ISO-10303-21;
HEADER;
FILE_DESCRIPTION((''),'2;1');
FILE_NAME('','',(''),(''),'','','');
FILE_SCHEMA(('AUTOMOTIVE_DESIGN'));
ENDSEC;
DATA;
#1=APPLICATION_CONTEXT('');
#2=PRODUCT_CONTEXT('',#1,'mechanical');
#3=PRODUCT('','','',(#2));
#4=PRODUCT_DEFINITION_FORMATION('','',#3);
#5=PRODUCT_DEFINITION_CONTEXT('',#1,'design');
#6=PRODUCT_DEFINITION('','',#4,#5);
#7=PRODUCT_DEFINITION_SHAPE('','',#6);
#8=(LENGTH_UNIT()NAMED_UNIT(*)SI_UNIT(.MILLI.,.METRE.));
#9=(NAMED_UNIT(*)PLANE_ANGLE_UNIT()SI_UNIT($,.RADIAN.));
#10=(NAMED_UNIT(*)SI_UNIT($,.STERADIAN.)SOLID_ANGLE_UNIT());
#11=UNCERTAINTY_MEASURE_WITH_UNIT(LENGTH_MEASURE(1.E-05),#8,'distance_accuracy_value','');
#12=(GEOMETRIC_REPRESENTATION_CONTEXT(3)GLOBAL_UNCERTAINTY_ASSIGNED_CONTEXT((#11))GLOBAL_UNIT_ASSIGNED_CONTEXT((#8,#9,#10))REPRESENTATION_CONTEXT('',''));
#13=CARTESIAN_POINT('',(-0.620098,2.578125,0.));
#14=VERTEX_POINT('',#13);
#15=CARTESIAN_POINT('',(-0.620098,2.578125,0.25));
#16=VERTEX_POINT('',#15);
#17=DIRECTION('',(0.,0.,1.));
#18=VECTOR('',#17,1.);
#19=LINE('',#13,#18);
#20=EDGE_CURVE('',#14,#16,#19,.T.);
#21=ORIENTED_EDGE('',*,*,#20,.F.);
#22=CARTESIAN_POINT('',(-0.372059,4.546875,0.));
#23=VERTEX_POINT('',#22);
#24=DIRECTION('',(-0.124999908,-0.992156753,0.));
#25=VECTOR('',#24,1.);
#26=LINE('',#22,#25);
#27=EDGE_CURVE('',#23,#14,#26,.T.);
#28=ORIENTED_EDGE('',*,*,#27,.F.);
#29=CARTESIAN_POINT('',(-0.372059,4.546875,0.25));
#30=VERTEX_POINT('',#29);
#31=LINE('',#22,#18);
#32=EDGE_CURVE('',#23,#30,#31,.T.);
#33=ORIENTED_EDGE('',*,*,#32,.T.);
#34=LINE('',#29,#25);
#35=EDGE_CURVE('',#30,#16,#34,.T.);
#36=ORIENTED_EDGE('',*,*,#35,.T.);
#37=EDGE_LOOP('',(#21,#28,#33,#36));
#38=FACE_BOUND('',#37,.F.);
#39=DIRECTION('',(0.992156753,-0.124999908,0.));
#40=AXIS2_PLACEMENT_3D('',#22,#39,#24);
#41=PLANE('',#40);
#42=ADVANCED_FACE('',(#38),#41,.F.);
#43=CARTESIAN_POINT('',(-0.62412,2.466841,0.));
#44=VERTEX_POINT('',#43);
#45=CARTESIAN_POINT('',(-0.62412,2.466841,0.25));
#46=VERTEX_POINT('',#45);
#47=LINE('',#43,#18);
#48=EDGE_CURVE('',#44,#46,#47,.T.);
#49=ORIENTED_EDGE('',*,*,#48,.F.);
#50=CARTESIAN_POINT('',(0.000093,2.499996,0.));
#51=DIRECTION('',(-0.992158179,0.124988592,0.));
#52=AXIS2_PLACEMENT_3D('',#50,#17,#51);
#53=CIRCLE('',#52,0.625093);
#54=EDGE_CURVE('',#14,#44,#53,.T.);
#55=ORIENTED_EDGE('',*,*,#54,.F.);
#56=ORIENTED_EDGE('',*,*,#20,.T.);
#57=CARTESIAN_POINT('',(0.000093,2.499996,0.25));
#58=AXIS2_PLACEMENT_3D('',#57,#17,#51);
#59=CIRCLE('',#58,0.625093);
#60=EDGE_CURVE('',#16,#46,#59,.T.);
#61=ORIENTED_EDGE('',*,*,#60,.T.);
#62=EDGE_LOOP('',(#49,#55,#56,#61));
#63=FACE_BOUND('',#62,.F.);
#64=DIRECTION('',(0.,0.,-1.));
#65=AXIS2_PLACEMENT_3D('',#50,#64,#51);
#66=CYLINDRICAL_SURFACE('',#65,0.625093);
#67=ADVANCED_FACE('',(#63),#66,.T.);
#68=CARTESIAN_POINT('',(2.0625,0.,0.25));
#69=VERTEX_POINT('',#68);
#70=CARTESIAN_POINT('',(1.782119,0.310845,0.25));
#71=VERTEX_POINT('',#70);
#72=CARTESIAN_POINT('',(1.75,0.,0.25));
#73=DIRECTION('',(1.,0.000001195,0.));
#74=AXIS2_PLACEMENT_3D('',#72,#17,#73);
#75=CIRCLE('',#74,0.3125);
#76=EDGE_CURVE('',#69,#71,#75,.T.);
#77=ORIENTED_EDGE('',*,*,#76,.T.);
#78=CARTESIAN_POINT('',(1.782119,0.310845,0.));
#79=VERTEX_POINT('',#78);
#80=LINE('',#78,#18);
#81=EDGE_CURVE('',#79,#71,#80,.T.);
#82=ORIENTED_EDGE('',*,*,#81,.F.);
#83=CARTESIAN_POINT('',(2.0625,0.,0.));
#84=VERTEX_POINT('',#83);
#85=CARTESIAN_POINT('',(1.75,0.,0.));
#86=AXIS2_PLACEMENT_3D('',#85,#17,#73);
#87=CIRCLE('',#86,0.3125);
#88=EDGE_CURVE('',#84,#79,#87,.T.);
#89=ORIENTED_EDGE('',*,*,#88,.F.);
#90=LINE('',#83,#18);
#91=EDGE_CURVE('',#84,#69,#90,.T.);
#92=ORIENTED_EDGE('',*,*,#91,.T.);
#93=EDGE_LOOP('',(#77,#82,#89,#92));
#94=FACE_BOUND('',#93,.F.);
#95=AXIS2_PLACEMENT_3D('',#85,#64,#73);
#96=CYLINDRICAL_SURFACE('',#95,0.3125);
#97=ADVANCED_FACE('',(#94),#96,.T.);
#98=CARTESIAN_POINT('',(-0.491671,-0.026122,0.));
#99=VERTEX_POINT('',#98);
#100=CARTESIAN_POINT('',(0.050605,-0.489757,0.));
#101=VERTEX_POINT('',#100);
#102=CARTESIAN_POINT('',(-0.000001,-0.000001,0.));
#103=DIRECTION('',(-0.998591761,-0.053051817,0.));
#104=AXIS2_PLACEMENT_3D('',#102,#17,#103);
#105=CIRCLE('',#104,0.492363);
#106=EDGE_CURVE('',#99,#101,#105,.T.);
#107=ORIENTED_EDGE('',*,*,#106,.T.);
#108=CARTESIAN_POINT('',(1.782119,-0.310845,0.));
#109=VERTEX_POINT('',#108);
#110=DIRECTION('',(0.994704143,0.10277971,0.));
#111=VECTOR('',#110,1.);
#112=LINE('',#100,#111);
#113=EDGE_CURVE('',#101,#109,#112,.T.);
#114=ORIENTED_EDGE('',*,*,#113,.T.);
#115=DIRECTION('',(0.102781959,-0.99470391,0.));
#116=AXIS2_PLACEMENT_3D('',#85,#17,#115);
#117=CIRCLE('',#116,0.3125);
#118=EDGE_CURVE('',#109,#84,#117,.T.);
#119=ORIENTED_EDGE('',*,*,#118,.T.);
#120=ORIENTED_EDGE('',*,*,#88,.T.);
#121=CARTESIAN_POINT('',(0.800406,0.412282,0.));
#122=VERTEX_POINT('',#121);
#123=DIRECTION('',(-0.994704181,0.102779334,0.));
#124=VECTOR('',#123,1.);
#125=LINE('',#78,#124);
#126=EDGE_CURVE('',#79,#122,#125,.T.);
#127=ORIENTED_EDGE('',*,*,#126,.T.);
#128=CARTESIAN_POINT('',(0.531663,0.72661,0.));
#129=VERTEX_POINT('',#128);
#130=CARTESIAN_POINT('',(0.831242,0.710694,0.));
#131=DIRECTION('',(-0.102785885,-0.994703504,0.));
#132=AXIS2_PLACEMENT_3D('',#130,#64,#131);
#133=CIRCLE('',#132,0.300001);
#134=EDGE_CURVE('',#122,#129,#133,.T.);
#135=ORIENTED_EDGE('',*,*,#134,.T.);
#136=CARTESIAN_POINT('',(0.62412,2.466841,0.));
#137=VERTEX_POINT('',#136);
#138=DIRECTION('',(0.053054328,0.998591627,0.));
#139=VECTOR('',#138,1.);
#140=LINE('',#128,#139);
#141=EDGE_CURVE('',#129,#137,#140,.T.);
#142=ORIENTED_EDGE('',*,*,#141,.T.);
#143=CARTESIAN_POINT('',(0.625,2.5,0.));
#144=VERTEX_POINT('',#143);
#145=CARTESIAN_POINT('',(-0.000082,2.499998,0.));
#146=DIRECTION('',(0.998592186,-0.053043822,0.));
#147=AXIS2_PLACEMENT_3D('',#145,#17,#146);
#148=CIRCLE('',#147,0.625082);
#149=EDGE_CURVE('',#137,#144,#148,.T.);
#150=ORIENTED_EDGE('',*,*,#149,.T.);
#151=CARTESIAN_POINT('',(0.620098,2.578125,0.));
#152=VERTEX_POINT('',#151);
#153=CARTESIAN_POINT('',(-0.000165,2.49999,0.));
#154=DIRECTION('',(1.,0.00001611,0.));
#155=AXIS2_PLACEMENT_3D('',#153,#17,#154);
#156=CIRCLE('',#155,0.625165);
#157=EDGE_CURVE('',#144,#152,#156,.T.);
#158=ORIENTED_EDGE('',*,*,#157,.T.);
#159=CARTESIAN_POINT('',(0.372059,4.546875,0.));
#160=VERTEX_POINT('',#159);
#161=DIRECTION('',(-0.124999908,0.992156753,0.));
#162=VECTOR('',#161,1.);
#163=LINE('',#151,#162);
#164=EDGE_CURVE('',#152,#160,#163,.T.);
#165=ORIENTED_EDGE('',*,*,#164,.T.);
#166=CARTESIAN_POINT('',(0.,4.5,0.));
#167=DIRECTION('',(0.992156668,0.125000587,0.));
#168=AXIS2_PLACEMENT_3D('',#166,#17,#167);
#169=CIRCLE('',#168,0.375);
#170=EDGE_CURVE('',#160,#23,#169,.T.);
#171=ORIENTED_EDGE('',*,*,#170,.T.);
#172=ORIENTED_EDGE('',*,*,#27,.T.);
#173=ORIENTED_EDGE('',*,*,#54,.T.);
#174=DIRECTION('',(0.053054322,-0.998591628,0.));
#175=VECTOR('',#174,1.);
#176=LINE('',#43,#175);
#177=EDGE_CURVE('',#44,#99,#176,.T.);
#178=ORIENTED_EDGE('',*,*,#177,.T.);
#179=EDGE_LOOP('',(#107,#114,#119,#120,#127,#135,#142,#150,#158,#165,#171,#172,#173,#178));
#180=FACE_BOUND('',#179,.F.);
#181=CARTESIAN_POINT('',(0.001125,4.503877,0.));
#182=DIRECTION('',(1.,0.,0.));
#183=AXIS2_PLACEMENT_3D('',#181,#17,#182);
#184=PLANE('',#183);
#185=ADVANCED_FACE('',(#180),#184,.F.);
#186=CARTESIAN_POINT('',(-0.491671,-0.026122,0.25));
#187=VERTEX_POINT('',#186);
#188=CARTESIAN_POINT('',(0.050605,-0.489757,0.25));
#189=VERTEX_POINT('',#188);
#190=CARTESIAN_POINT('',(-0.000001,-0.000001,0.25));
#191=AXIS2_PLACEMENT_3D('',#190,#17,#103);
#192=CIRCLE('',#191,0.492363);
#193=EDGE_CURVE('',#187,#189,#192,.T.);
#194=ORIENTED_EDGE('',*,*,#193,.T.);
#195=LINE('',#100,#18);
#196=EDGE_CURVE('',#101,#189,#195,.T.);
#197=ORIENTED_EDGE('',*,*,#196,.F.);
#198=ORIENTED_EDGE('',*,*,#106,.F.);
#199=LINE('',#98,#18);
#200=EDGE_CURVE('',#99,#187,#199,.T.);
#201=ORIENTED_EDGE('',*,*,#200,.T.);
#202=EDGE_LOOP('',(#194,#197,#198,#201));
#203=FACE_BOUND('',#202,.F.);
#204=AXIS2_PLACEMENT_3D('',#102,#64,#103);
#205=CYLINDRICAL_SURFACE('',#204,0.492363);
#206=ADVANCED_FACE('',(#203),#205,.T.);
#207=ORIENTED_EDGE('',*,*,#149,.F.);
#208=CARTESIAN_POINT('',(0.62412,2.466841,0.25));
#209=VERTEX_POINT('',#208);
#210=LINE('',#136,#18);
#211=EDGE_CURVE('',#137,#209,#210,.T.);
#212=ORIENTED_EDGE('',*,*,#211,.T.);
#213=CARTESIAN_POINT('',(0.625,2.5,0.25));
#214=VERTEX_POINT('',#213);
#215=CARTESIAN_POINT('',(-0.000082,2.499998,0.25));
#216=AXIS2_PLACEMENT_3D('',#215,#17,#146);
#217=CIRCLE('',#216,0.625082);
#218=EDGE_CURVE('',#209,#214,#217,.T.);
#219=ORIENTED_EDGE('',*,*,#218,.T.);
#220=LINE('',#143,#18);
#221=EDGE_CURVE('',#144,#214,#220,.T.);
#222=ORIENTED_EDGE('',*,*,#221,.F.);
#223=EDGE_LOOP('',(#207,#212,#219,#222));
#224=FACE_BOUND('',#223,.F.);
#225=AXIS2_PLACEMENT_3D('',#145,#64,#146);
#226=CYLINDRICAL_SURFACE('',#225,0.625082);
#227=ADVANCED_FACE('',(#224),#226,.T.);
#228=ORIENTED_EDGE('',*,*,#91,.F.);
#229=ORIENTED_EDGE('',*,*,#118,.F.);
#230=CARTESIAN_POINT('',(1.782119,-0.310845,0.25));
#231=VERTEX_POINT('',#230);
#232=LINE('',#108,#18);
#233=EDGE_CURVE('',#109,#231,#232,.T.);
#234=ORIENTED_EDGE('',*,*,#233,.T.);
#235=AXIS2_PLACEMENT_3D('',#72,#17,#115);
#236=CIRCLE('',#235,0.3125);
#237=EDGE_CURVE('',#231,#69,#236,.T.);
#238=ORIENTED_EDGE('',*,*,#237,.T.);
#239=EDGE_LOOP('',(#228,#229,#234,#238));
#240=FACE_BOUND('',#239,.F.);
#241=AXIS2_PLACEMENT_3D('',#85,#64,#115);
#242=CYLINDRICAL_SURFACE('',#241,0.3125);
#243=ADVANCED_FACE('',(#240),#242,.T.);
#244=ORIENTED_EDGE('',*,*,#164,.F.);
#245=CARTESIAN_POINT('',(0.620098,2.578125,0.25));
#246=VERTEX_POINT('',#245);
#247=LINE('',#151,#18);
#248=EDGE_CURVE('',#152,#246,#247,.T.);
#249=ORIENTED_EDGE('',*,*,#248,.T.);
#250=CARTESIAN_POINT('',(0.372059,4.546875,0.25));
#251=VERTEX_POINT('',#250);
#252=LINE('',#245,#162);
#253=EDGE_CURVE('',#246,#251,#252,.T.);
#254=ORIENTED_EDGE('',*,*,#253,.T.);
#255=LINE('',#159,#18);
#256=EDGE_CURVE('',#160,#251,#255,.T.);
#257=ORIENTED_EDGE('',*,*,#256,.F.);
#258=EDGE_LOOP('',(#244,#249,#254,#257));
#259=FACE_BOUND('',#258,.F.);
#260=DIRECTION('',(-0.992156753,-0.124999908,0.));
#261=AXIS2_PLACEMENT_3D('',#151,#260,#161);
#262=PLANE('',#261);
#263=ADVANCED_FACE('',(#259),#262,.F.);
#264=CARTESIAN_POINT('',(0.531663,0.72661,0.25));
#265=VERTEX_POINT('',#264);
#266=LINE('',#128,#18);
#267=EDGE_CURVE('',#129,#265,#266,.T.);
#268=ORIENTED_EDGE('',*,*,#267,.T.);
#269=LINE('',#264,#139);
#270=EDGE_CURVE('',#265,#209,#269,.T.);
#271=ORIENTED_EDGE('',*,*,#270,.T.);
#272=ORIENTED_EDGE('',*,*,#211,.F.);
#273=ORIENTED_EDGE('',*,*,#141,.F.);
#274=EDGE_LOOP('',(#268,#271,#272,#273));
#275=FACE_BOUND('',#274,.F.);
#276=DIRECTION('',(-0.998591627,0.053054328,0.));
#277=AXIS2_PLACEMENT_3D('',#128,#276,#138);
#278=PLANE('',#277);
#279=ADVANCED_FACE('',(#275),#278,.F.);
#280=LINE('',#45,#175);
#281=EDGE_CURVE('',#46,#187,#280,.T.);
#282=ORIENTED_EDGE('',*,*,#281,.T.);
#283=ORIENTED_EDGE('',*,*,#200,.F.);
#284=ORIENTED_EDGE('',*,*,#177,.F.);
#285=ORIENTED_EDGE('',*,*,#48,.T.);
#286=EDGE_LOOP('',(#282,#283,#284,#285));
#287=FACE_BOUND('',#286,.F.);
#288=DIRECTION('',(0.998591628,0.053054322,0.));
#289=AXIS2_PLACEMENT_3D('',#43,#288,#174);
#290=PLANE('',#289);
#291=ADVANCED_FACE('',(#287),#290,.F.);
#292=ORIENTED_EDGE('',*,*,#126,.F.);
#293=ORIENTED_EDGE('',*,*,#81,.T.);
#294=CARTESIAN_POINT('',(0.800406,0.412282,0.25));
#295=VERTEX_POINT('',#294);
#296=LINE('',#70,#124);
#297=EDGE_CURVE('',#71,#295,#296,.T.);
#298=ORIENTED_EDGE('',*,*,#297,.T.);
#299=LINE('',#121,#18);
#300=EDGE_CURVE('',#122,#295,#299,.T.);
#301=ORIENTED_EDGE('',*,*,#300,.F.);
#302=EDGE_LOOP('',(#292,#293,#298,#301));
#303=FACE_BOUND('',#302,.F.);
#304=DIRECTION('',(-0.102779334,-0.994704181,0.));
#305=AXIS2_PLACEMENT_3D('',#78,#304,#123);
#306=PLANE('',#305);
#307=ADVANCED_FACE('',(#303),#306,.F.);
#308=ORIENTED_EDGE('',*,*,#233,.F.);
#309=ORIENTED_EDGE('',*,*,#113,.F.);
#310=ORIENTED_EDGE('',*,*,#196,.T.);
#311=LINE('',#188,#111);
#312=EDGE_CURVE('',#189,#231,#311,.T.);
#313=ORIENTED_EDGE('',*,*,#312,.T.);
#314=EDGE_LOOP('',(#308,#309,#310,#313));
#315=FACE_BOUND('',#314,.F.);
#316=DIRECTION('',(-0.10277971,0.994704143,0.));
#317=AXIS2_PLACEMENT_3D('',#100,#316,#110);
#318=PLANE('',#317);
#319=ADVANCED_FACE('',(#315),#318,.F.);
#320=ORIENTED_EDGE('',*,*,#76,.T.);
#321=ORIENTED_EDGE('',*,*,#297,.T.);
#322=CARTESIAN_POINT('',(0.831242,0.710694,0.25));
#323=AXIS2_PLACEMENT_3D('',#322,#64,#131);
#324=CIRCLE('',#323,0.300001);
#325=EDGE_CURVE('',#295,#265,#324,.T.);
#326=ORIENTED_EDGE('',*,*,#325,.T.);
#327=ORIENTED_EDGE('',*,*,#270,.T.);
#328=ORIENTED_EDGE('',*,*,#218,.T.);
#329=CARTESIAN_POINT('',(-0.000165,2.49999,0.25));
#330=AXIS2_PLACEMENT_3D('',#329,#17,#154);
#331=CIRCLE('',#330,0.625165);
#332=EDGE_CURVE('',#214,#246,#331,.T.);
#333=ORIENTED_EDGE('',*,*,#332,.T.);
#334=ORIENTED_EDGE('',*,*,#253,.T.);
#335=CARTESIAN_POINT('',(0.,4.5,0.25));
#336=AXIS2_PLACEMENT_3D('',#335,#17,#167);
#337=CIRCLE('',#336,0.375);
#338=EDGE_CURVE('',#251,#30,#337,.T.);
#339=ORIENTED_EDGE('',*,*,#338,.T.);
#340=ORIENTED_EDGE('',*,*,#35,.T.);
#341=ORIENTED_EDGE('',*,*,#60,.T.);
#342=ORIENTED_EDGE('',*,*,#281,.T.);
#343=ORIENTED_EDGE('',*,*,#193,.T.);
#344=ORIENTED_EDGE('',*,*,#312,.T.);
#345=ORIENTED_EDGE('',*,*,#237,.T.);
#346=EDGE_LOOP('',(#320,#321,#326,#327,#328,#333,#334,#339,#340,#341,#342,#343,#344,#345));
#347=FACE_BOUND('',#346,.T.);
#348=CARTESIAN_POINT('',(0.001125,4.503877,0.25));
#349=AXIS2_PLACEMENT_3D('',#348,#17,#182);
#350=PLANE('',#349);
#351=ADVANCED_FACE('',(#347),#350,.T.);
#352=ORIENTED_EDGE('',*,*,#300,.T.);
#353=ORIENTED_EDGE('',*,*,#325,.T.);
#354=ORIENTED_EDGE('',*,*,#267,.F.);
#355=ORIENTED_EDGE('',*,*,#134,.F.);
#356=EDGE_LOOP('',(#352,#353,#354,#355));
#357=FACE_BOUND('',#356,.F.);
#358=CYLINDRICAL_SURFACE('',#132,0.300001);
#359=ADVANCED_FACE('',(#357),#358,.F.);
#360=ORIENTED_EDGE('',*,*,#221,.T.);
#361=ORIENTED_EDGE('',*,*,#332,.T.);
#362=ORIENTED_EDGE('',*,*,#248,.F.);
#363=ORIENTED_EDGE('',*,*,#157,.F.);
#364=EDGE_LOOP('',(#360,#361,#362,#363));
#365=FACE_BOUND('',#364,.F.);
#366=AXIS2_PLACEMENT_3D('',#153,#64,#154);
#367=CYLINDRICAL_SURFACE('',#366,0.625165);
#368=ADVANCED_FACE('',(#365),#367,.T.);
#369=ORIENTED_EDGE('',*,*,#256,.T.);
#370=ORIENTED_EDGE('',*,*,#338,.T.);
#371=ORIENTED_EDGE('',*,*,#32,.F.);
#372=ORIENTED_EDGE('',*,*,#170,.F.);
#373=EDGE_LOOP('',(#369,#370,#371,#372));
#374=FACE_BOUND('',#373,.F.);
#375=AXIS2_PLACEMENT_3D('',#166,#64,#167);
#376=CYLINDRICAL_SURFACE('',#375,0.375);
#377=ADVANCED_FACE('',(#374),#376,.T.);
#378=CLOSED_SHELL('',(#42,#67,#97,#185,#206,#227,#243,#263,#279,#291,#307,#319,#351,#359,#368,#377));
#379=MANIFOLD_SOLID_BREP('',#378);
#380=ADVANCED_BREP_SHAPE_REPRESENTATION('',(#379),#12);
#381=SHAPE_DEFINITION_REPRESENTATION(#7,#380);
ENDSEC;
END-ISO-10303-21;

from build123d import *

# Parameters (mm, degrees)
F1_DEPTH = 0.25


with BuildPart() as f1:
    # F0 (on Top) → F1 (new body)
    with BuildSketch(Plane.XY):
        with BuildLine():
            ThreePointArc((0.372059, 4.546875), (0, 4.875), (-0.372059, 4.546875))
            ThreePointArc((-0.372059, 4.546875), (-0.023484, 4.125736), (0.375, 4.5))
            ThreePointArc((0.375, 4.5), (0.374264, 4.523484), (0.372059, 4.546875))
        make_face()
        with BuildLine():
            ThreePointArc((-0.620098, 2.578125), (-0.624592, 2.522573), (-0.62412, 2.466841))
            ThreePointArc((-0.62412, 2.466841), (0, 1.875), (0.62412, 2.466841))
            ThreePointArc((0.62412, 2.466841), (0.62478, 2.483415), (0.625, 2.5))
            ThreePointArc((0.625, 2.5), (0.623773, 2.539139), (0.620098, 2.578125))
            ThreePointArc((0.620098, 2.578125), (0, 3.125), (-0.620098, 2.578125))
        make_face()
        with BuildLine():
            Line((-0.372059, 4.546875), (-0.620098, 2.578125))
            ThreePointArc((-0.620098, 2.578125), (0, 3.125), (0.620098, 2.578125))
            Line((0.620098, 2.578125), (0.372059, 4.546875))
            ThreePointArc((0.372059, 4.546875), (0.374264, 4.523484), (0.375, 4.5))
            ThreePointArc((0.375, 4.5), (-0.023484, 4.125736), (-0.372059, 4.546875))
        make_face()
        with BuildLine():
            ThreePointArc((-0.491671, -0.026122), (-0.013066, 0.492191), (0.492364, 0))
            ThreePointArc((0.492364, 0), (0.365608, -0.329778), (0.050605, -0.489757))
            Line((0.050605, -0.489757), (1.782119, -0.310845))
            ThreePointArc((1.782119, -0.310845), (1.4375, 0), (1.782119, 0.310845))
            Line((1.782119, 0.310845), (0.800406, 0.412282))
            ThreePointArc((0.800406, 0.412282), (0.60322, 0.515741), (0.531663, 0.72661))
            Line((0.531663, 0.72661), (0.62412, 2.466841))
            ThreePointArc((0.62412, 2.466841), (0, 1.875), (-0.62412, 2.466841))
            Line((-0.62412, 2.466841), (-0.491671, -0.026122))
        make_face()
        with BuildLine():
            ThreePointArc((1.782119, 0.310845), (1.4375, 0), (1.782119, -0.310845))
            ThreePointArc((1.782119, -0.310845), (1.982049, -0.209307), (2.0625, 0))
            ThreePointArc((2.0625, 0), (1.982049, 0.209307), (1.782119, 0.310845))
        make_face()
        with BuildLine():
            ThreePointArc((0.050605, -0.489757), (0.365608, -0.329778), (0.492364, 0))
            ThreePointArc((0.492364, 0), (-0.013066, 0.492191), (-0.491671, -0.026122))
            ThreePointArc((-0.491671, -0.026122), (-0.31996, -0.374231), (0.050605, -0.489757))
        make_face()
    extrude(amount=F1_DEPTH)


solid = f1.part
